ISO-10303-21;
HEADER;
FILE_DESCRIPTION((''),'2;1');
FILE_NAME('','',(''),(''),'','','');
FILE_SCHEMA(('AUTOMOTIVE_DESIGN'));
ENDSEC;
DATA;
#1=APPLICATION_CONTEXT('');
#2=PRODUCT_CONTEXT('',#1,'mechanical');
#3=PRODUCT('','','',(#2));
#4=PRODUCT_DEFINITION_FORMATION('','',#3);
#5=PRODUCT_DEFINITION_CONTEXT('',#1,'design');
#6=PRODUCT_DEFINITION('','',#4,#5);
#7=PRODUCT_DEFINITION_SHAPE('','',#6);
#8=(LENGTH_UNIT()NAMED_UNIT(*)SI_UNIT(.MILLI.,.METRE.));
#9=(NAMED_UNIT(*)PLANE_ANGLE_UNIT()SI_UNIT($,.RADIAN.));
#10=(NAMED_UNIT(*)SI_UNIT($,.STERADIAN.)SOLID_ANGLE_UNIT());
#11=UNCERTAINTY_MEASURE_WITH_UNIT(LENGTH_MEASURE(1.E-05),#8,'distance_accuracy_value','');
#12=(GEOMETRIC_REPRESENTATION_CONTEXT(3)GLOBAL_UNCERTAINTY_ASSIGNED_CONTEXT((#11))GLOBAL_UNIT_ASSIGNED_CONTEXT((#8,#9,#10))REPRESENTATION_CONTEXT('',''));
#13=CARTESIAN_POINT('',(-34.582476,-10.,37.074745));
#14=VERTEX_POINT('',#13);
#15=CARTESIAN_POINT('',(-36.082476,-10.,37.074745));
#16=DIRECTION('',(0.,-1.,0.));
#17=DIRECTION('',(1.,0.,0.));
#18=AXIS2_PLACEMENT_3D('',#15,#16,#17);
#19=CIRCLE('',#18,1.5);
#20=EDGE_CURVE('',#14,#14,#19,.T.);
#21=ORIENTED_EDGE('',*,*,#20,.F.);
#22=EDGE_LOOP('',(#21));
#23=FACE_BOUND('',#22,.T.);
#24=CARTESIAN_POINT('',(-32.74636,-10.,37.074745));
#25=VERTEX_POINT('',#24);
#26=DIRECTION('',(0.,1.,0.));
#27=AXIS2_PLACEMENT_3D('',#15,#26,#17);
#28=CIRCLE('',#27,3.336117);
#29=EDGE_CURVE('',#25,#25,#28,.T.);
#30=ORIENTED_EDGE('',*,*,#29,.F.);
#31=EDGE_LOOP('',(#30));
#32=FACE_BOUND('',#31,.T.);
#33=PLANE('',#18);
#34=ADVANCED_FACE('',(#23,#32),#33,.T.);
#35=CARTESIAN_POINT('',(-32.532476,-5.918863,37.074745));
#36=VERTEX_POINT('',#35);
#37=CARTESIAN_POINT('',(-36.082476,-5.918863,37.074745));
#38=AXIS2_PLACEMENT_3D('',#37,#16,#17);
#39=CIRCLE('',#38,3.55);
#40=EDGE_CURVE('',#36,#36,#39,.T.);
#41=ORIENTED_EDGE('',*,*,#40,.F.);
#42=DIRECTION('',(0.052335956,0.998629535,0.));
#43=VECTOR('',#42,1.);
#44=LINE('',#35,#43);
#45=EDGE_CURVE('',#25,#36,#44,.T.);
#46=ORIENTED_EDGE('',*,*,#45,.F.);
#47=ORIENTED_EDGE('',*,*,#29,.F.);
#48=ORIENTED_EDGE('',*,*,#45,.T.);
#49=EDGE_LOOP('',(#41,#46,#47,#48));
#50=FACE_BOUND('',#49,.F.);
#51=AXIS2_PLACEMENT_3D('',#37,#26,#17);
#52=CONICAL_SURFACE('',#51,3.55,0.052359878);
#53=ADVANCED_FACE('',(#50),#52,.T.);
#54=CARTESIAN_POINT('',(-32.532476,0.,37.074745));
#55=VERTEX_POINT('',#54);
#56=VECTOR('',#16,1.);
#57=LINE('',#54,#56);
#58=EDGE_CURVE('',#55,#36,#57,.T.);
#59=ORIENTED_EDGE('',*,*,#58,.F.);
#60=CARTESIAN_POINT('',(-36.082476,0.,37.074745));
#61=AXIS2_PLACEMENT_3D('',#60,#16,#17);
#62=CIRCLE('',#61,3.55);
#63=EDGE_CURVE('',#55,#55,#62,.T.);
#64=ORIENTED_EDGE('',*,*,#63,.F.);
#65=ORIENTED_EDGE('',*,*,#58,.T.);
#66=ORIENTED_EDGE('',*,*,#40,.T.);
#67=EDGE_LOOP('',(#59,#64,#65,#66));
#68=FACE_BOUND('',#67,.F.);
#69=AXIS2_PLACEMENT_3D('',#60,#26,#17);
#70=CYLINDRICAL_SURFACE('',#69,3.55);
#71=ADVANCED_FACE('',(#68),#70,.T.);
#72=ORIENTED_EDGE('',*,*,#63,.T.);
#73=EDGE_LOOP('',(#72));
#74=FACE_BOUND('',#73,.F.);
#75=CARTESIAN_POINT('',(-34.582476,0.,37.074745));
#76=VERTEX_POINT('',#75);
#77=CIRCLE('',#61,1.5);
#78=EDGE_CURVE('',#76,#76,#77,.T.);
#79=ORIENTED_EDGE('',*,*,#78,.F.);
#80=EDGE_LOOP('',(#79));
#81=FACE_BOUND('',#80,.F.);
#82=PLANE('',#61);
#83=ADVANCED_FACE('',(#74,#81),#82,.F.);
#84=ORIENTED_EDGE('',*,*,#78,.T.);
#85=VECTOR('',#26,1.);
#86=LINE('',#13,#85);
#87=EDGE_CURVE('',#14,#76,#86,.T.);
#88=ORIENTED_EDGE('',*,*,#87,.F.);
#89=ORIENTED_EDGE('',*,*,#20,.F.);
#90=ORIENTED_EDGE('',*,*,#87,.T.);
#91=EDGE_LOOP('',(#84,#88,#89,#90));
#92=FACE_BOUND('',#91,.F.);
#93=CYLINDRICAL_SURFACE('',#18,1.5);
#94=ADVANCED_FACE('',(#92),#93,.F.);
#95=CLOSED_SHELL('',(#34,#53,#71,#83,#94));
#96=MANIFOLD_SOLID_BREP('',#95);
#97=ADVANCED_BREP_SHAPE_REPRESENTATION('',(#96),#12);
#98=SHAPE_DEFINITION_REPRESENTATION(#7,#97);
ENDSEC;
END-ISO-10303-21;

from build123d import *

# Parameters (mm, degrees)
F0_R     = 3.55
F1_DEPTH = 25
F2_SIZE2 = 19.0811366877
F2_SIZE  = 1
F3_R     = 4.5061105162
F4_DEPTH = 15
F5_R     = 1.5
F6_DEPTH = 25


with BuildPart() as f1:
    # F0 (on Front) → F1 (new body)
    with BuildSketch(Plane.XZ):
        with Locations((-36.0824763775, 37.0747447014)):
            Circle(F0_R)
    extrude(amount=F1_DEPTH)

    # F2
    f2_edges = [f1.edges().sort_by_distance(p)[0] for p in [
        (-39.632476, -25, 37.074745),
    ]]
    f2_side = f1.faces().sort_by_distance((-36.082476, -25, 37.074745))[0]
    chamfer(f2_edges, length=F2_SIZE, length2=F2_SIZE2, reference=f2_side)

    # F3 (on face) → F4 (cut)
    with BuildSketch(Plane.XZ.offset(25)):
        with Locations((-36.0824763775, 37.0747447014)):
            Circle(F3_R)
    extrude(amount=-F4_DEPTH, mode=Mode.SUBTRACT)

    # F5 (on face) → F6 (cut)
    with BuildSketch(Plane.XZ.offset(10)):
        with Locations((-36.0824763775, 37.0747447014)):
            Circle(F5_R)
    extrude(amount=-F6_DEPTH, mode=Mode.SUBTRACT)


solid = f1.part
